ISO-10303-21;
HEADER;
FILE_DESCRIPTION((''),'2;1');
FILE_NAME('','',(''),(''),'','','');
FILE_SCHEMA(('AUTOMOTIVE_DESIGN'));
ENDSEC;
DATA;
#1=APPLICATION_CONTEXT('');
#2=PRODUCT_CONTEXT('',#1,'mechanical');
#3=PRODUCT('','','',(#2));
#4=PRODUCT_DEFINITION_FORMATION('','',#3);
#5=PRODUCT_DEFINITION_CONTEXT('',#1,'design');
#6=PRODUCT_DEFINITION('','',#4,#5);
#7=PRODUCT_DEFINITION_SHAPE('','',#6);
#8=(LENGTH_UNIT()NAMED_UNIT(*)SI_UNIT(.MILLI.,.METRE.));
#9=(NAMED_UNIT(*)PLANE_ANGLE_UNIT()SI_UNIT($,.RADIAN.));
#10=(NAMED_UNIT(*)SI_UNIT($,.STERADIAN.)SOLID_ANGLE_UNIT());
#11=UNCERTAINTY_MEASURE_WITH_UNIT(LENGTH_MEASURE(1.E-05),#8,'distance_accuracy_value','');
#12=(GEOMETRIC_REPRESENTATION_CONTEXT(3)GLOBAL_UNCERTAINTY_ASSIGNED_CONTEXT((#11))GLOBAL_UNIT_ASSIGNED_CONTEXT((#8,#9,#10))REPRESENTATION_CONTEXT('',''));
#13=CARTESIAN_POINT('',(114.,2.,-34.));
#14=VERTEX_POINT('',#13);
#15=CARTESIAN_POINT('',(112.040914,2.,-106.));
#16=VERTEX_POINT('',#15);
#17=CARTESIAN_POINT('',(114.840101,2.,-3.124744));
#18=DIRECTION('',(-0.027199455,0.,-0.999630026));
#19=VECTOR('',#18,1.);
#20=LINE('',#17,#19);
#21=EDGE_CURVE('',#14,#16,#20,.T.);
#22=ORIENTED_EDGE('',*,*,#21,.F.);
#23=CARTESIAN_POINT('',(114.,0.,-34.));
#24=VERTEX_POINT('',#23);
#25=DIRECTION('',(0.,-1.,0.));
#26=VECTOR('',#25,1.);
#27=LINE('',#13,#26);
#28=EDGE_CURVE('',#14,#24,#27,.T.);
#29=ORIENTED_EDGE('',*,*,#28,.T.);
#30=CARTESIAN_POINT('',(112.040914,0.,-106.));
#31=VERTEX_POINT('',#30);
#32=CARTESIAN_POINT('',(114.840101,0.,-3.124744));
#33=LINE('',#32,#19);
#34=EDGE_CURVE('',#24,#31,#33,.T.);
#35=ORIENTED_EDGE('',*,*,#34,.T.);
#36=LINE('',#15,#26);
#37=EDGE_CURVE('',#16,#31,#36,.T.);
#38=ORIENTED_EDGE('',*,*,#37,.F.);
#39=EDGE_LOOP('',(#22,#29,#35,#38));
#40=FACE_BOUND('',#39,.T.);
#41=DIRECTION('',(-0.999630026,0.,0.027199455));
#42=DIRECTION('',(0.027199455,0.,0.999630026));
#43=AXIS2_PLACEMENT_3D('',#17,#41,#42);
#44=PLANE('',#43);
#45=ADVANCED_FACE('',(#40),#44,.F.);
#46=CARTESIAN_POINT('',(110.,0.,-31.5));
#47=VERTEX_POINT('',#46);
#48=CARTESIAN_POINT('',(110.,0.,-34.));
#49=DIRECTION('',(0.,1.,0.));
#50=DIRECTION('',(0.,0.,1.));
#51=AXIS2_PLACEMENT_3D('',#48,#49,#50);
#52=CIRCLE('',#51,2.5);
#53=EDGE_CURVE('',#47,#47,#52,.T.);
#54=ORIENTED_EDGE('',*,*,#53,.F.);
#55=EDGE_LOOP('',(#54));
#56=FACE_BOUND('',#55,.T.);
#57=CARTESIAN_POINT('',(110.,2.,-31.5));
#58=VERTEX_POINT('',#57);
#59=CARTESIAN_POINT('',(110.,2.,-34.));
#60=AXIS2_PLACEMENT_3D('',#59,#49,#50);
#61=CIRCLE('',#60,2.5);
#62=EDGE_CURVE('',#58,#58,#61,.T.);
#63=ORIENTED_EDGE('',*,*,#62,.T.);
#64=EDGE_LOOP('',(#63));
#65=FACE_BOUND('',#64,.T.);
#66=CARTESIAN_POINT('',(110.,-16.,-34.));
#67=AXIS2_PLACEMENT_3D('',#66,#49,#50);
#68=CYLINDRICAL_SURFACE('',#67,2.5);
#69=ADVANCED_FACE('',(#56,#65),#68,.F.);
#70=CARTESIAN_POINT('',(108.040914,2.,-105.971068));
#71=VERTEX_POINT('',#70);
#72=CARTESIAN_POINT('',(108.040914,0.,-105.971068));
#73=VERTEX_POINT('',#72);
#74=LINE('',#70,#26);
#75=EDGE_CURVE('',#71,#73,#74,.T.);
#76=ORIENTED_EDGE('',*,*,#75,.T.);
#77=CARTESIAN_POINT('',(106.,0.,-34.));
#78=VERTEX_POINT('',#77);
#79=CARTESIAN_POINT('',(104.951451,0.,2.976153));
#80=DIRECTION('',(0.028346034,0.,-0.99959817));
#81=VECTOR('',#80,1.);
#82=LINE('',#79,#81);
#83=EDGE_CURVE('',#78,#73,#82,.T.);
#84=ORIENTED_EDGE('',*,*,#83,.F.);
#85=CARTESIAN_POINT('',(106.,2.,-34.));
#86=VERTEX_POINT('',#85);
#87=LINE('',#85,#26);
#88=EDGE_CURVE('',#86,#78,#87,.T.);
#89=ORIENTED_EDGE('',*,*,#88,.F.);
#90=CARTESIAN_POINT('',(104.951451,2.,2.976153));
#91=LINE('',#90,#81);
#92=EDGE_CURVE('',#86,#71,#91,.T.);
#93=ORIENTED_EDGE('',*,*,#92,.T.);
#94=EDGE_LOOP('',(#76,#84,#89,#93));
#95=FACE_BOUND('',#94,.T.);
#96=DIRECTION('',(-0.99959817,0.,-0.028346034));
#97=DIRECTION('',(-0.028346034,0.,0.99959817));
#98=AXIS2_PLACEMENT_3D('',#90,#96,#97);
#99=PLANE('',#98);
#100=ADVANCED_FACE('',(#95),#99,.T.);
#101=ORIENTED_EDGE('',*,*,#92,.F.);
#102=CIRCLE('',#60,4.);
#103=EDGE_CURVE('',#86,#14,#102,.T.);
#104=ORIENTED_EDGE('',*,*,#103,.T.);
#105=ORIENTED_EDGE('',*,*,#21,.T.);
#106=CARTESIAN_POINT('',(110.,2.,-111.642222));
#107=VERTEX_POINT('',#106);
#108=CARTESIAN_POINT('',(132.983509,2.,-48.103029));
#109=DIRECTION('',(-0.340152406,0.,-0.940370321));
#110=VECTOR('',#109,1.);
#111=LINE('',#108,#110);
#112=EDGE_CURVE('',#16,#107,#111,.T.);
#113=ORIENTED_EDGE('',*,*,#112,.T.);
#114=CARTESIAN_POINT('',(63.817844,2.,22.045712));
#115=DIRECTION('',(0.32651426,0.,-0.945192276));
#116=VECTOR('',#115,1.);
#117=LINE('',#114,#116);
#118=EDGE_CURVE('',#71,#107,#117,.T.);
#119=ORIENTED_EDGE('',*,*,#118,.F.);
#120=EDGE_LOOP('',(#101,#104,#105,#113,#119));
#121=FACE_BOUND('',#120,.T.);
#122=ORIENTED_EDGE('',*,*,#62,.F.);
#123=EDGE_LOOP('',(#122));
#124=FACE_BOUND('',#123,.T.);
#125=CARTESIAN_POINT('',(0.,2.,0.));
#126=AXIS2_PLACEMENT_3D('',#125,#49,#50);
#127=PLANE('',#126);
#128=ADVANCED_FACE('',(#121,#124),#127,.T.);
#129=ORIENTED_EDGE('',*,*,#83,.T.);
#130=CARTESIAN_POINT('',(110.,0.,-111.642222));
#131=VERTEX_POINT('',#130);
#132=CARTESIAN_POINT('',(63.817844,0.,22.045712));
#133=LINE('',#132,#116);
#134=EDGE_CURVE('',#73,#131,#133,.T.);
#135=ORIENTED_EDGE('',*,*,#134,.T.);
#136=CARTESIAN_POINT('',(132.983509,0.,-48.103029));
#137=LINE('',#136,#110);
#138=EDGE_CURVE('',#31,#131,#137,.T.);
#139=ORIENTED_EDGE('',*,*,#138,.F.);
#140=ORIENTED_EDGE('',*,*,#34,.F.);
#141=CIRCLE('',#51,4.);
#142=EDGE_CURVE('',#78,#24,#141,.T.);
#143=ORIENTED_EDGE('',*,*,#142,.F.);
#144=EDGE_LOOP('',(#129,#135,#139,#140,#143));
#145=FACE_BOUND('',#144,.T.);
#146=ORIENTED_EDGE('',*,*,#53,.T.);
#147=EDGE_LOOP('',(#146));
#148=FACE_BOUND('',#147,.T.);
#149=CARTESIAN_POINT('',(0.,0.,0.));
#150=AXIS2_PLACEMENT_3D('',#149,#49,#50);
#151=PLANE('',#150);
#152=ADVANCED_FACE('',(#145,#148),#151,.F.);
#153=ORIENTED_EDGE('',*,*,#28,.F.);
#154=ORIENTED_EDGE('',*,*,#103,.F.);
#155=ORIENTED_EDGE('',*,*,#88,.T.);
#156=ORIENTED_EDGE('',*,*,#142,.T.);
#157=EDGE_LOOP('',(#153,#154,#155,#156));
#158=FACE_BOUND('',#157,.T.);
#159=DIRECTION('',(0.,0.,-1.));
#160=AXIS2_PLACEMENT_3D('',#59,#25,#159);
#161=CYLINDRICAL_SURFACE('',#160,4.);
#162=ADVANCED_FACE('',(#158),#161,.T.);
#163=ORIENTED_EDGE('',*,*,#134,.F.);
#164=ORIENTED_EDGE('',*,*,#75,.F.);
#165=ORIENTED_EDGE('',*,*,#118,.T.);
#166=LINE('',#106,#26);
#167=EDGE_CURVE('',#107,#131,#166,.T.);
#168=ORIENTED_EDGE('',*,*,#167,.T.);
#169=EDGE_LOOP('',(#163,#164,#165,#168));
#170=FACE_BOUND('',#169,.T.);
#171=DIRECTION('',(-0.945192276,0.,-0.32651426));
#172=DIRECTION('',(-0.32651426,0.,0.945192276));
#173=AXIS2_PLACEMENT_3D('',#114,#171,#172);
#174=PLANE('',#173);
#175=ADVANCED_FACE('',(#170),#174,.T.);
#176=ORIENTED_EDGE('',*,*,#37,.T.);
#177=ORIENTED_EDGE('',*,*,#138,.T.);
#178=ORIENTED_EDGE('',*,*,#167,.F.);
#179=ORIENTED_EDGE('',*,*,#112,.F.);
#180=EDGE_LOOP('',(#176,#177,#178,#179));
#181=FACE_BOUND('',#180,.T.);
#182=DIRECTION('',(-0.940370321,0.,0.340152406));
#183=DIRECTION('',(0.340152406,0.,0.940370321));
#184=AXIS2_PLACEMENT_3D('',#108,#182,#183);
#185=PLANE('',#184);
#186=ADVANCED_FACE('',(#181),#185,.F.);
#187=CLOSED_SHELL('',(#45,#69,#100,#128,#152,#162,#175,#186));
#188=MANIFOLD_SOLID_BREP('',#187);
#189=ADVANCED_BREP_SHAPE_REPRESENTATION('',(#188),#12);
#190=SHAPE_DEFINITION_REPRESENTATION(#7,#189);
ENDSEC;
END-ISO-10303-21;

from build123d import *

# Parameters (mm, degrees)
SKICA1_R                 = 2
P_IDAT_VYSUNUT_M3_DEPTH  = 2
ODEBRAT_START            = -18
SKICA5_R                 = 2.5
SKICA5_R_2               = 2
ODEBRAT_VYSUNUT_M1_DEPTH = 18


with BuildPart() as part:
    # Skica1 → Přidat vysunutím3 (new body)
    # profile 1 of 2: a face of its own
    with BuildSketch(Plane(origin=(0, 0, 0), x_dir=(1, 0, 0), z_dir=(0, 1, 0))):
        with BuildLine():
            Line((108.040914438, 105.971068272), (106.006427981, 34.226677149))
            ThreePointArc((106.006427981, 34.226677149), (110.004588085, 37.999997369), (113.994081517, 34.217515135))
            Line((113.994081517, 34.217515135), (112.040914438, 106))
            Line((112.040914438, 106), (110, 111.642221926))
            Line((110, 111.642221926), (108.040914438, 105.971068272))
        make_face()
    # profile 2 of 2: a face of its own
    with BuildSketch(Plane(origin=(0, 0, 0), x_dir=(1, 0, 0), z_dir=(0, 1, 0))):
        with BuildLine():
            ThreePointArc((106, 34), (107.171572875, 31.171572875), (110, 30))
            ThreePointArc((110, 30), (112.828427125, 31.171572875), (114, 34))
            Line((114, 34), (113.994081517, 34.217515135))
            ThreePointArc((113.994081517, 34.217515135), (110.004588085, 37.999997369), (106.006427981, 34.226677149))
            Line((106.006427981, 34.226677149), (106, 34))
        make_face()
        with Locations(Location((110, 34, 0), (0, 0, 270))):
            Circle(SKICA1_R, mode=Mode.SUBTRACT)
    extrude(amount=P_IDAT_VYSUNUT_M3_DEPTH)

    # Skica5 → Odebrat vysunutím1 (cut)
    with BuildSketch(Plane(origin=(0, 2, 0), x_dir=(1, 0, 0), z_dir=(0, 1, 0)).offset(ODEBRAT_START)):
        with Locations(Location((110, 34, 0), (0, 0, 270))):
            Circle(SKICA5_R)
        with Locations((110, 34)):
            Circle(SKICA5_R_2, mode=Mode.SUBTRACT)
    extrude(amount=ODEBRAT_VYSUNUT_M1_DEPTH, mode=Mode.SUBTRACT)


solid = part.part
